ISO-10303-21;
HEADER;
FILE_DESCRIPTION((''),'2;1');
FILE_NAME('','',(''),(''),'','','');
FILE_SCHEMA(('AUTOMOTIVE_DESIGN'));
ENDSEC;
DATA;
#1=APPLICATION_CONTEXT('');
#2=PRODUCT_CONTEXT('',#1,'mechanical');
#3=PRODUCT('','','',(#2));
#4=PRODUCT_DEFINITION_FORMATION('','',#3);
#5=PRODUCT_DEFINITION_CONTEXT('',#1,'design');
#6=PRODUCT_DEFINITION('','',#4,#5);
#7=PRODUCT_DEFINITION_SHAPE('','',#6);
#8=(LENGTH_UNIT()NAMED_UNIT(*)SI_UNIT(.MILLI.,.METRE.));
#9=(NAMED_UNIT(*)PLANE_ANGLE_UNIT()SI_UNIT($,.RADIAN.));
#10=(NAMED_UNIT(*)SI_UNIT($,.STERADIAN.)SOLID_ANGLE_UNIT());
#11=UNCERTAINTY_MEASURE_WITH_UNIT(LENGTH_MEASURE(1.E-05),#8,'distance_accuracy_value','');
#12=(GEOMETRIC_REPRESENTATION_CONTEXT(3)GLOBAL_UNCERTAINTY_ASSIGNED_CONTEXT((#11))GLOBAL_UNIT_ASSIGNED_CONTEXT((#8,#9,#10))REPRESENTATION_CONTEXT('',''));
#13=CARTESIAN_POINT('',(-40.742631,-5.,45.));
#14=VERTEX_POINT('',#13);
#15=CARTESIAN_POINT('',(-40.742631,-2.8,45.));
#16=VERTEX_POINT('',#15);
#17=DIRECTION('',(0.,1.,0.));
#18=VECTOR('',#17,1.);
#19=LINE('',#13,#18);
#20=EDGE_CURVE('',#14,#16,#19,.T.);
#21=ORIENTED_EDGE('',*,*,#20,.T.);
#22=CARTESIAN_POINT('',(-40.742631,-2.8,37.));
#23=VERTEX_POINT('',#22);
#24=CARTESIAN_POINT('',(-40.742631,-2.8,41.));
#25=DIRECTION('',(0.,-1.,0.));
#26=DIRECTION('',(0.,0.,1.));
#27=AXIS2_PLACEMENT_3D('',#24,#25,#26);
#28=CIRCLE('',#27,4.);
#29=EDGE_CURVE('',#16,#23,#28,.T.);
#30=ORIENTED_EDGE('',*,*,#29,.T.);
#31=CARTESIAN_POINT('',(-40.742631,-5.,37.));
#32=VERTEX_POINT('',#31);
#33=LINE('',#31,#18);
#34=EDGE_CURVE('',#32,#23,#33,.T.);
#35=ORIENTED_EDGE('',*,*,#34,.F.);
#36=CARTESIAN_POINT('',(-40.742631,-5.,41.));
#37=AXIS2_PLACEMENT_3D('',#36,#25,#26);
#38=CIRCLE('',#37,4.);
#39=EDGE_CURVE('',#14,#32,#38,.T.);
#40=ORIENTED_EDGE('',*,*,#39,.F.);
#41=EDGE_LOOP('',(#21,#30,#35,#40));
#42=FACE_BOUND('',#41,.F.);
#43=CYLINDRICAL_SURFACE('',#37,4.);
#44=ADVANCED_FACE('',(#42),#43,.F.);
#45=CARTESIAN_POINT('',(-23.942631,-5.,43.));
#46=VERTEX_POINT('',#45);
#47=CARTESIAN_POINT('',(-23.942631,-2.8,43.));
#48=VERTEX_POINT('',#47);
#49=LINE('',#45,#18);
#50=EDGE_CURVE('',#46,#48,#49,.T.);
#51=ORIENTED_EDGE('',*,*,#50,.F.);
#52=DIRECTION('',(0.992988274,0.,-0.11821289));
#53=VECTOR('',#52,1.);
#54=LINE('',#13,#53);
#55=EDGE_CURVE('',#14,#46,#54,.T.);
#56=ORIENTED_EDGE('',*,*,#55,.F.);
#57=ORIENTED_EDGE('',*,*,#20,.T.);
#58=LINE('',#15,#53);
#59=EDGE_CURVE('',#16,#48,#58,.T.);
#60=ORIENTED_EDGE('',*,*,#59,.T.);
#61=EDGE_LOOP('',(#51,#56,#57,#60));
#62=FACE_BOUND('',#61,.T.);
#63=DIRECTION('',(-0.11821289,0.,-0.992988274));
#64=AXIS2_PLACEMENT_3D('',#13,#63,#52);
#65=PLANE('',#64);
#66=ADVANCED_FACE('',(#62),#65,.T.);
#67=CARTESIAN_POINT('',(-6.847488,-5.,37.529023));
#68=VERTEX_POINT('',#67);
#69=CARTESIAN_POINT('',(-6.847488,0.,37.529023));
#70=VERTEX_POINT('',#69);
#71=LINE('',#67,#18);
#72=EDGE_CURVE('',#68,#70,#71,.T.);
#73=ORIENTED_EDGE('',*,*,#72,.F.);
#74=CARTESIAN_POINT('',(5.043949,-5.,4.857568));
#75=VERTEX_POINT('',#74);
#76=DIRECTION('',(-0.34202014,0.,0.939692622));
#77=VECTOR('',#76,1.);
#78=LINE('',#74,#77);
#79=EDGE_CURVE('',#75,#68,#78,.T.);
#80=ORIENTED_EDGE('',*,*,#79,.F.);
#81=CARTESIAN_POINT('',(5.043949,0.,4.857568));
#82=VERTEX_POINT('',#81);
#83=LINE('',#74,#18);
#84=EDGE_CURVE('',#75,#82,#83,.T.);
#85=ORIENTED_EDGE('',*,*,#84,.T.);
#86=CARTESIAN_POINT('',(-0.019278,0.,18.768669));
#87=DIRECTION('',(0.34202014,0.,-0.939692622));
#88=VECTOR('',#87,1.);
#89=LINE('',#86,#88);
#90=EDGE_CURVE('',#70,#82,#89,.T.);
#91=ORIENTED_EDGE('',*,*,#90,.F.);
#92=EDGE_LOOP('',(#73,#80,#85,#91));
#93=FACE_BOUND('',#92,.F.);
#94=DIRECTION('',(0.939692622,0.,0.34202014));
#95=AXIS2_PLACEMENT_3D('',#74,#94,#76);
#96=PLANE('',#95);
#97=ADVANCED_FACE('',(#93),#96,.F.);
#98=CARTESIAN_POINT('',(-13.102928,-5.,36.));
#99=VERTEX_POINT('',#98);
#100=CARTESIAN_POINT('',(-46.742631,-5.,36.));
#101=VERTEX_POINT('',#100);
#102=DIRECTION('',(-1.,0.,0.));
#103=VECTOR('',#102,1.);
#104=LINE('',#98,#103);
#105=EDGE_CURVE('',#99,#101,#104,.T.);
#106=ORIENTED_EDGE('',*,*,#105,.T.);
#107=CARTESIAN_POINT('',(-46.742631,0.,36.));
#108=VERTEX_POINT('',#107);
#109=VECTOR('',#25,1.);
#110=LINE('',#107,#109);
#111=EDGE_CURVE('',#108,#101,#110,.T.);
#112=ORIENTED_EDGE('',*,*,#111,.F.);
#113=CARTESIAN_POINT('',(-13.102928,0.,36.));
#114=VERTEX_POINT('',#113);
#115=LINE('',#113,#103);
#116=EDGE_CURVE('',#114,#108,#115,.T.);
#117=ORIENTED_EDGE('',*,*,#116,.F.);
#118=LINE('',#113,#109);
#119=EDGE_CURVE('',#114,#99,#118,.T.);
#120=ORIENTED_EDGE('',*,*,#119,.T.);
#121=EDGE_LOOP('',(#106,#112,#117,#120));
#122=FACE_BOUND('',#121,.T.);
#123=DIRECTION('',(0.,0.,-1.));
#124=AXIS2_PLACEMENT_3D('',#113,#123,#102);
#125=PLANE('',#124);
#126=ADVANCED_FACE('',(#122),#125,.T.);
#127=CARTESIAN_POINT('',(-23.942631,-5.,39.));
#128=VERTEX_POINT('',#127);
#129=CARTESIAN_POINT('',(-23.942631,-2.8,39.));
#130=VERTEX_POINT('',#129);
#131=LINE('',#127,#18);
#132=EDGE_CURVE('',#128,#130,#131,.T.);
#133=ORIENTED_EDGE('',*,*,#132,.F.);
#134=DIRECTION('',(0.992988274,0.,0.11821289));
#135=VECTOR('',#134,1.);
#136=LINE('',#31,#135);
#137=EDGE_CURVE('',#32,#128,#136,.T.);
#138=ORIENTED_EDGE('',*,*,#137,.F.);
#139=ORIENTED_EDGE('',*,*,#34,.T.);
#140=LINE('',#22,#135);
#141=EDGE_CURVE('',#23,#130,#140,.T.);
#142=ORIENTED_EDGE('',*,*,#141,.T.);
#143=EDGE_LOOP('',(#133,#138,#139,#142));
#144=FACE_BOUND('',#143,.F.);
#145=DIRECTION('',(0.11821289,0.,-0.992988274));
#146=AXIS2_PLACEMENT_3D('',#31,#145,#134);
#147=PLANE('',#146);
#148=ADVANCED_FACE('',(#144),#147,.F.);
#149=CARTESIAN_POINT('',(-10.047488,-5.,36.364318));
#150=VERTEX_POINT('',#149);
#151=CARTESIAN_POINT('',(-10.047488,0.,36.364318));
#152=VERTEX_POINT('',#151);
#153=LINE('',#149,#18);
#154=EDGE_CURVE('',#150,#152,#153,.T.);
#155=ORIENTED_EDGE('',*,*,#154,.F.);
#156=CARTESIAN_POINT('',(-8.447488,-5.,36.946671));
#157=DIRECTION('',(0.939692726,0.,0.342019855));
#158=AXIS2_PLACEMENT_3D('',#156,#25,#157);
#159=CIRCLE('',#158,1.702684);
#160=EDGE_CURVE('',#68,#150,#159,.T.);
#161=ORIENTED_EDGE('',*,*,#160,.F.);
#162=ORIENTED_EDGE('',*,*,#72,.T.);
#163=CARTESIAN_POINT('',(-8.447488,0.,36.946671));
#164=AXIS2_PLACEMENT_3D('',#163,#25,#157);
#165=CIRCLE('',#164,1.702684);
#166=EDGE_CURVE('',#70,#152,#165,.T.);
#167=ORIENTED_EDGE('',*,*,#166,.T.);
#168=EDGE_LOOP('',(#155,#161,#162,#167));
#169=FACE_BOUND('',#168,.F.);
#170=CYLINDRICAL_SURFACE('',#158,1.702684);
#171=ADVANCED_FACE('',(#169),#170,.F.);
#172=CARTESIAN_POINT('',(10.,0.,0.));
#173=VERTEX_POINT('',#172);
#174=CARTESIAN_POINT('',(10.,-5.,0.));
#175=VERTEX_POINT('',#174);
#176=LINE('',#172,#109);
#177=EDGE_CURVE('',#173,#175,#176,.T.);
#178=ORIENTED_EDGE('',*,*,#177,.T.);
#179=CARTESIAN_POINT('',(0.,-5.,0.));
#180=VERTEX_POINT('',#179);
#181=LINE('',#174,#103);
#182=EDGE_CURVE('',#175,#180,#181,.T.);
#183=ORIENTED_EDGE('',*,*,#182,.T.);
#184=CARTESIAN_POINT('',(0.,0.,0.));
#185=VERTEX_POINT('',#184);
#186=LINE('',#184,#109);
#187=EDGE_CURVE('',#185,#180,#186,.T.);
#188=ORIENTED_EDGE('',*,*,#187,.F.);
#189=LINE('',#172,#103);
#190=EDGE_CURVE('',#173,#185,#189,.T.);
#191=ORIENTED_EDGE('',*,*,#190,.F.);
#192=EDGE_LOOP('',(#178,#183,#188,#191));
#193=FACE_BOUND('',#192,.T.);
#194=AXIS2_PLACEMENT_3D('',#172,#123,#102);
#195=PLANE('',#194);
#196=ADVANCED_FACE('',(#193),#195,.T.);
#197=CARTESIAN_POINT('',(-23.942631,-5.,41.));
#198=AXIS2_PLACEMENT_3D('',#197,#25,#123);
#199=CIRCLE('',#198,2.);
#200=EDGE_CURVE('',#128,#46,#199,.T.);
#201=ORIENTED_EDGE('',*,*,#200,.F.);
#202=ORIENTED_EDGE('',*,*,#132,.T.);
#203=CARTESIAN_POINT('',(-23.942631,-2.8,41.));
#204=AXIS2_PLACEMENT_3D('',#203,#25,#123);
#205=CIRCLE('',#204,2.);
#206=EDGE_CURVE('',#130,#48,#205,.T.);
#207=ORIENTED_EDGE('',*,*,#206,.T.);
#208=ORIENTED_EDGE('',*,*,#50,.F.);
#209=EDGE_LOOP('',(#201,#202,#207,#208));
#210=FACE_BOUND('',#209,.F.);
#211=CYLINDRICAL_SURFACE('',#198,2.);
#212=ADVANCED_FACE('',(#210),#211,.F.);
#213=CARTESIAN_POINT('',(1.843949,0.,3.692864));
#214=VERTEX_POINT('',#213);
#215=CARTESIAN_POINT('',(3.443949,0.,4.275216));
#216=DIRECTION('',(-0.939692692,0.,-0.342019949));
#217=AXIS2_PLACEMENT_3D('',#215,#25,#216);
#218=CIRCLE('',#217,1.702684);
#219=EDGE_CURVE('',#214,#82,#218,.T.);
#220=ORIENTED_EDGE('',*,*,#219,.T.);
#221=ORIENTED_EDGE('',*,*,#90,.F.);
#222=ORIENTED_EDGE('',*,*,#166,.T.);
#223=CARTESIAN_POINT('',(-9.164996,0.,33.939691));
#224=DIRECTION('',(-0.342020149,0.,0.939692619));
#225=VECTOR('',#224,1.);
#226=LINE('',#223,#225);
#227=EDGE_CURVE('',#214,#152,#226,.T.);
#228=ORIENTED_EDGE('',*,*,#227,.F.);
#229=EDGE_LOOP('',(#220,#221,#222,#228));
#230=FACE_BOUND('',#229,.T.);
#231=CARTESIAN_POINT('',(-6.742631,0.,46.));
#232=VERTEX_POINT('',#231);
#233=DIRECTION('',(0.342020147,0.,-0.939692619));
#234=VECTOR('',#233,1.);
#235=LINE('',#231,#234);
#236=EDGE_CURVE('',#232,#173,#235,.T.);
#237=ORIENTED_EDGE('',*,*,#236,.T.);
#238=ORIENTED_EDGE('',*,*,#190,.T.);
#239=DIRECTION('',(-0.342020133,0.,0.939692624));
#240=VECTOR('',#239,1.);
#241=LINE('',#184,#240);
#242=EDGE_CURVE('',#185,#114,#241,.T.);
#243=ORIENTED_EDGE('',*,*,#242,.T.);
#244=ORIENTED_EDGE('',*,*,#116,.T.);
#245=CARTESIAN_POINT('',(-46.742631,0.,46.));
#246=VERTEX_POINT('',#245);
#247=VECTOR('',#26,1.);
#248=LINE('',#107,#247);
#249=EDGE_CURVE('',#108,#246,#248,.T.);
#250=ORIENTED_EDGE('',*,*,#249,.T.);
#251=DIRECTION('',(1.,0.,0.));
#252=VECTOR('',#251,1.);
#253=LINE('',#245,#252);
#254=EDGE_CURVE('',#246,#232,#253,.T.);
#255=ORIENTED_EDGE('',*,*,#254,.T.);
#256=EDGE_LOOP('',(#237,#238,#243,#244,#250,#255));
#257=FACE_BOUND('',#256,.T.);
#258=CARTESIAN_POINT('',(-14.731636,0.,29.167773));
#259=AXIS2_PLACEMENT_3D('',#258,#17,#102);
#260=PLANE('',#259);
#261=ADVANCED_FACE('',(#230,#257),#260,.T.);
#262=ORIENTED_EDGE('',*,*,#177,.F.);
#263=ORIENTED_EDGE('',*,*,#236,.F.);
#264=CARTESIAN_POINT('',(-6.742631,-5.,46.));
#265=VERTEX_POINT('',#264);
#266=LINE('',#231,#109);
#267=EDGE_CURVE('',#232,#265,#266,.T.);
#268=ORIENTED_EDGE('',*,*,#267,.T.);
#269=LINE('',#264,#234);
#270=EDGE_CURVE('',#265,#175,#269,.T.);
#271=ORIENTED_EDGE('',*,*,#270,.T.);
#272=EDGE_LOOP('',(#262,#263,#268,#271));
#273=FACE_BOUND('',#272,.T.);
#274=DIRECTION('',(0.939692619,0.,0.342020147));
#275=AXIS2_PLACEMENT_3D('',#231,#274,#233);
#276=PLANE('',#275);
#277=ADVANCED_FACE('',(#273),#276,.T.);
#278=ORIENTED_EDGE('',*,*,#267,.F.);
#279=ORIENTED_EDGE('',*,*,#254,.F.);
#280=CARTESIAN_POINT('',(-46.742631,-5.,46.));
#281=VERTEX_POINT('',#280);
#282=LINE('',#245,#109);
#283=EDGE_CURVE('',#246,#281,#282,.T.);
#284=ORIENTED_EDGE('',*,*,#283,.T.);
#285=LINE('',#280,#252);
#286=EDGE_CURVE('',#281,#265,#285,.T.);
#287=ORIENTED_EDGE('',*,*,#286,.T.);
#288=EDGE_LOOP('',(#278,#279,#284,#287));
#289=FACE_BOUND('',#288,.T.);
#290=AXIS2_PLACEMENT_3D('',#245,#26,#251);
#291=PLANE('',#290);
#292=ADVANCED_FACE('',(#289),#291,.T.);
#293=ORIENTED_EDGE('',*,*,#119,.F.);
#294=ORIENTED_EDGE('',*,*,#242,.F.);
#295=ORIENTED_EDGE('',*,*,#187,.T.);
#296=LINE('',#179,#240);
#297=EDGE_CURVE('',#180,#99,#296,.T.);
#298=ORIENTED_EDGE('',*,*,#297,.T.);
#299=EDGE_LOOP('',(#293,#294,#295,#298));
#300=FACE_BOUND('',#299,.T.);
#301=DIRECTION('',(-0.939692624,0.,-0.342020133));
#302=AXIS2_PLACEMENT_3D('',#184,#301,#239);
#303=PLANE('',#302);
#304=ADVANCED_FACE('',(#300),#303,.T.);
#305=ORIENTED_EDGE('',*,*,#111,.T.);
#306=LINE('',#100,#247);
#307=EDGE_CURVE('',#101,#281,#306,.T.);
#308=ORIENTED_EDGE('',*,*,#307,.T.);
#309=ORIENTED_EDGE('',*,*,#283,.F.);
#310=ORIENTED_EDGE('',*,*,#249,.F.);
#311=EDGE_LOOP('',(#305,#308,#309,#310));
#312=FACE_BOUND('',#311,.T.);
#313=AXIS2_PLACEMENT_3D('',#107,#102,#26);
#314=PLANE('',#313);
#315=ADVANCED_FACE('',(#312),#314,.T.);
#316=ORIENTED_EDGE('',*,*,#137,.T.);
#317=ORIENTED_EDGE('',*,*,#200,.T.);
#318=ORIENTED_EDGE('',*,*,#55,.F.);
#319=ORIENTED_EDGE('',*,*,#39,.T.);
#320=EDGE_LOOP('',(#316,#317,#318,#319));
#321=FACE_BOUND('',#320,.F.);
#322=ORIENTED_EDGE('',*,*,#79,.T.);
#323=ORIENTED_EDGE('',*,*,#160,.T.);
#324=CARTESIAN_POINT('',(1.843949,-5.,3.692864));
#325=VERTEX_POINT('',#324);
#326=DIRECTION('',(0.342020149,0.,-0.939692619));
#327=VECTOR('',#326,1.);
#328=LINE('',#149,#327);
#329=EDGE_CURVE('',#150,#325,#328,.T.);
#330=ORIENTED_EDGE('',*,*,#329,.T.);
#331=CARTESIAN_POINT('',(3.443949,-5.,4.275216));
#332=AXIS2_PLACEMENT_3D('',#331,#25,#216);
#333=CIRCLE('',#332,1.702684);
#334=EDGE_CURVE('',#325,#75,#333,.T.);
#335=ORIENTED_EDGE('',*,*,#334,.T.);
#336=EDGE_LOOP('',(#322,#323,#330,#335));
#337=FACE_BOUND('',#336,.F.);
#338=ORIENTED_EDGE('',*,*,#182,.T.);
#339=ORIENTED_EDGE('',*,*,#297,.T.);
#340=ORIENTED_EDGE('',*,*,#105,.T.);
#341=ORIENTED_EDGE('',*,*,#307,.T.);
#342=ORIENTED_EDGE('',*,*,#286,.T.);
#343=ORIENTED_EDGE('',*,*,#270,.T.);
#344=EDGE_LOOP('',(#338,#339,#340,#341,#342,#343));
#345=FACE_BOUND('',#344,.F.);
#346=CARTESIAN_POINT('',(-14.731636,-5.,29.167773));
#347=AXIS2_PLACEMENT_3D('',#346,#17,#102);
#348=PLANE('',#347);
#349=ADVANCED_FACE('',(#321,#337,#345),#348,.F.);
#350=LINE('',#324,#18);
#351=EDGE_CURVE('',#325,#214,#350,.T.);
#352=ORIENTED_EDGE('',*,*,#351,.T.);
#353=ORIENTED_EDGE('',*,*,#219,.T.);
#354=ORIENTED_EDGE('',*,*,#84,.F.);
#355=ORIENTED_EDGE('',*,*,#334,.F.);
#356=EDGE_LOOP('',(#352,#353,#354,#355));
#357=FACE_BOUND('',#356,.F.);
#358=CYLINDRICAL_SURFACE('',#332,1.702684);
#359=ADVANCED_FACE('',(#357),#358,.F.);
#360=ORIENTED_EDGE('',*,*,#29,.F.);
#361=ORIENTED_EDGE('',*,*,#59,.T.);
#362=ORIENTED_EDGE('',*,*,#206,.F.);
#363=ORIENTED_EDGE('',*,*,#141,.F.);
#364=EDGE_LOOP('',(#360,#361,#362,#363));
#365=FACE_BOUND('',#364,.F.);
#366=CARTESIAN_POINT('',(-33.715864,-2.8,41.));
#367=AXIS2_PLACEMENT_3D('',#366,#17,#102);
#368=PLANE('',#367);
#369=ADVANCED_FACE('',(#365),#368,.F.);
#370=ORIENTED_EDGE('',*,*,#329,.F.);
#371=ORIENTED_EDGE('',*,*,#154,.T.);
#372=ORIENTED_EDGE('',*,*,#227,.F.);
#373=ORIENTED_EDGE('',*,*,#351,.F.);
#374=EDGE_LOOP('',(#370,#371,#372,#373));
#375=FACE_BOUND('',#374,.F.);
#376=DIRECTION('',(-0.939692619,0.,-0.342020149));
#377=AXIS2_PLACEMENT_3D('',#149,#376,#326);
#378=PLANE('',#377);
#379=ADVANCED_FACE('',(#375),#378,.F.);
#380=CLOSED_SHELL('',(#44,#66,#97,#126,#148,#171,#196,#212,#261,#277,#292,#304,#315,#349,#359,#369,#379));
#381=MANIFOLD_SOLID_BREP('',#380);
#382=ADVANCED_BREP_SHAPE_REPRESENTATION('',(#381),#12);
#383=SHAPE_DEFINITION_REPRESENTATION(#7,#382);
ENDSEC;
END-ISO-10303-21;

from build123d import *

# Parameters (mm, degrees)
PAD_DEPTH       = 5
POCKET_DEPTH    = 5.001
POCKET001_DEPTH = 2.2


with BuildPart() as part:
    # Sketch → Pad (new body)
    with BuildSketch(Plane.XZ):
        Polygon((0, 0), (-13.102928, 36), (-46.742631, 36), (-46.742631, 46), (-6.742631, 46), (10, 0), align=None)
    extrude(amount=PAD_DEPTH)

    # Sketch001 (on Face8 of Pad) → Pocket (cut, through all)
    with BuildSketch(Plane.XZ.offset(5)):
        with BuildLine():
            ThreePointArc((-6.847488, 37.529023), (-9.029841, 38.546671), (-10.047488, 36.364318))
            Line((-10.047488, 36.364318), (1.843949, 3.692864))
            ThreePointArc((1.843949, 3.692864), (4.026301, 2.675216), (5.043949, 4.857568))
            Line((5.043949, 4.857568), (-6.847488, 37.529023))
        make_face()
    extrude(amount=-POCKET_DEPTH, mode=Mode.SUBTRACT)

    # Sketch002 (on Face5 of Pocket) → Pocket001 (cut)
    with BuildSketch(Plane.XZ.offset(5)):
        with BuildLine():
            Line((-40.742631, 45), (-23.942631, 43))
            ThreePointArc((-23.942631, 39), (-21.942631, 41), (-23.942631, 43))
            Line((-40.742631, 37), (-23.942631, 39))
            ThreePointArc((-40.742631, 45), (-44.742631, 41), (-40.742631, 37))
        make_face()
    extrude(amount=-POCKET001_DEPTH, mode=Mode.SUBTRACT)


solid = part.part
